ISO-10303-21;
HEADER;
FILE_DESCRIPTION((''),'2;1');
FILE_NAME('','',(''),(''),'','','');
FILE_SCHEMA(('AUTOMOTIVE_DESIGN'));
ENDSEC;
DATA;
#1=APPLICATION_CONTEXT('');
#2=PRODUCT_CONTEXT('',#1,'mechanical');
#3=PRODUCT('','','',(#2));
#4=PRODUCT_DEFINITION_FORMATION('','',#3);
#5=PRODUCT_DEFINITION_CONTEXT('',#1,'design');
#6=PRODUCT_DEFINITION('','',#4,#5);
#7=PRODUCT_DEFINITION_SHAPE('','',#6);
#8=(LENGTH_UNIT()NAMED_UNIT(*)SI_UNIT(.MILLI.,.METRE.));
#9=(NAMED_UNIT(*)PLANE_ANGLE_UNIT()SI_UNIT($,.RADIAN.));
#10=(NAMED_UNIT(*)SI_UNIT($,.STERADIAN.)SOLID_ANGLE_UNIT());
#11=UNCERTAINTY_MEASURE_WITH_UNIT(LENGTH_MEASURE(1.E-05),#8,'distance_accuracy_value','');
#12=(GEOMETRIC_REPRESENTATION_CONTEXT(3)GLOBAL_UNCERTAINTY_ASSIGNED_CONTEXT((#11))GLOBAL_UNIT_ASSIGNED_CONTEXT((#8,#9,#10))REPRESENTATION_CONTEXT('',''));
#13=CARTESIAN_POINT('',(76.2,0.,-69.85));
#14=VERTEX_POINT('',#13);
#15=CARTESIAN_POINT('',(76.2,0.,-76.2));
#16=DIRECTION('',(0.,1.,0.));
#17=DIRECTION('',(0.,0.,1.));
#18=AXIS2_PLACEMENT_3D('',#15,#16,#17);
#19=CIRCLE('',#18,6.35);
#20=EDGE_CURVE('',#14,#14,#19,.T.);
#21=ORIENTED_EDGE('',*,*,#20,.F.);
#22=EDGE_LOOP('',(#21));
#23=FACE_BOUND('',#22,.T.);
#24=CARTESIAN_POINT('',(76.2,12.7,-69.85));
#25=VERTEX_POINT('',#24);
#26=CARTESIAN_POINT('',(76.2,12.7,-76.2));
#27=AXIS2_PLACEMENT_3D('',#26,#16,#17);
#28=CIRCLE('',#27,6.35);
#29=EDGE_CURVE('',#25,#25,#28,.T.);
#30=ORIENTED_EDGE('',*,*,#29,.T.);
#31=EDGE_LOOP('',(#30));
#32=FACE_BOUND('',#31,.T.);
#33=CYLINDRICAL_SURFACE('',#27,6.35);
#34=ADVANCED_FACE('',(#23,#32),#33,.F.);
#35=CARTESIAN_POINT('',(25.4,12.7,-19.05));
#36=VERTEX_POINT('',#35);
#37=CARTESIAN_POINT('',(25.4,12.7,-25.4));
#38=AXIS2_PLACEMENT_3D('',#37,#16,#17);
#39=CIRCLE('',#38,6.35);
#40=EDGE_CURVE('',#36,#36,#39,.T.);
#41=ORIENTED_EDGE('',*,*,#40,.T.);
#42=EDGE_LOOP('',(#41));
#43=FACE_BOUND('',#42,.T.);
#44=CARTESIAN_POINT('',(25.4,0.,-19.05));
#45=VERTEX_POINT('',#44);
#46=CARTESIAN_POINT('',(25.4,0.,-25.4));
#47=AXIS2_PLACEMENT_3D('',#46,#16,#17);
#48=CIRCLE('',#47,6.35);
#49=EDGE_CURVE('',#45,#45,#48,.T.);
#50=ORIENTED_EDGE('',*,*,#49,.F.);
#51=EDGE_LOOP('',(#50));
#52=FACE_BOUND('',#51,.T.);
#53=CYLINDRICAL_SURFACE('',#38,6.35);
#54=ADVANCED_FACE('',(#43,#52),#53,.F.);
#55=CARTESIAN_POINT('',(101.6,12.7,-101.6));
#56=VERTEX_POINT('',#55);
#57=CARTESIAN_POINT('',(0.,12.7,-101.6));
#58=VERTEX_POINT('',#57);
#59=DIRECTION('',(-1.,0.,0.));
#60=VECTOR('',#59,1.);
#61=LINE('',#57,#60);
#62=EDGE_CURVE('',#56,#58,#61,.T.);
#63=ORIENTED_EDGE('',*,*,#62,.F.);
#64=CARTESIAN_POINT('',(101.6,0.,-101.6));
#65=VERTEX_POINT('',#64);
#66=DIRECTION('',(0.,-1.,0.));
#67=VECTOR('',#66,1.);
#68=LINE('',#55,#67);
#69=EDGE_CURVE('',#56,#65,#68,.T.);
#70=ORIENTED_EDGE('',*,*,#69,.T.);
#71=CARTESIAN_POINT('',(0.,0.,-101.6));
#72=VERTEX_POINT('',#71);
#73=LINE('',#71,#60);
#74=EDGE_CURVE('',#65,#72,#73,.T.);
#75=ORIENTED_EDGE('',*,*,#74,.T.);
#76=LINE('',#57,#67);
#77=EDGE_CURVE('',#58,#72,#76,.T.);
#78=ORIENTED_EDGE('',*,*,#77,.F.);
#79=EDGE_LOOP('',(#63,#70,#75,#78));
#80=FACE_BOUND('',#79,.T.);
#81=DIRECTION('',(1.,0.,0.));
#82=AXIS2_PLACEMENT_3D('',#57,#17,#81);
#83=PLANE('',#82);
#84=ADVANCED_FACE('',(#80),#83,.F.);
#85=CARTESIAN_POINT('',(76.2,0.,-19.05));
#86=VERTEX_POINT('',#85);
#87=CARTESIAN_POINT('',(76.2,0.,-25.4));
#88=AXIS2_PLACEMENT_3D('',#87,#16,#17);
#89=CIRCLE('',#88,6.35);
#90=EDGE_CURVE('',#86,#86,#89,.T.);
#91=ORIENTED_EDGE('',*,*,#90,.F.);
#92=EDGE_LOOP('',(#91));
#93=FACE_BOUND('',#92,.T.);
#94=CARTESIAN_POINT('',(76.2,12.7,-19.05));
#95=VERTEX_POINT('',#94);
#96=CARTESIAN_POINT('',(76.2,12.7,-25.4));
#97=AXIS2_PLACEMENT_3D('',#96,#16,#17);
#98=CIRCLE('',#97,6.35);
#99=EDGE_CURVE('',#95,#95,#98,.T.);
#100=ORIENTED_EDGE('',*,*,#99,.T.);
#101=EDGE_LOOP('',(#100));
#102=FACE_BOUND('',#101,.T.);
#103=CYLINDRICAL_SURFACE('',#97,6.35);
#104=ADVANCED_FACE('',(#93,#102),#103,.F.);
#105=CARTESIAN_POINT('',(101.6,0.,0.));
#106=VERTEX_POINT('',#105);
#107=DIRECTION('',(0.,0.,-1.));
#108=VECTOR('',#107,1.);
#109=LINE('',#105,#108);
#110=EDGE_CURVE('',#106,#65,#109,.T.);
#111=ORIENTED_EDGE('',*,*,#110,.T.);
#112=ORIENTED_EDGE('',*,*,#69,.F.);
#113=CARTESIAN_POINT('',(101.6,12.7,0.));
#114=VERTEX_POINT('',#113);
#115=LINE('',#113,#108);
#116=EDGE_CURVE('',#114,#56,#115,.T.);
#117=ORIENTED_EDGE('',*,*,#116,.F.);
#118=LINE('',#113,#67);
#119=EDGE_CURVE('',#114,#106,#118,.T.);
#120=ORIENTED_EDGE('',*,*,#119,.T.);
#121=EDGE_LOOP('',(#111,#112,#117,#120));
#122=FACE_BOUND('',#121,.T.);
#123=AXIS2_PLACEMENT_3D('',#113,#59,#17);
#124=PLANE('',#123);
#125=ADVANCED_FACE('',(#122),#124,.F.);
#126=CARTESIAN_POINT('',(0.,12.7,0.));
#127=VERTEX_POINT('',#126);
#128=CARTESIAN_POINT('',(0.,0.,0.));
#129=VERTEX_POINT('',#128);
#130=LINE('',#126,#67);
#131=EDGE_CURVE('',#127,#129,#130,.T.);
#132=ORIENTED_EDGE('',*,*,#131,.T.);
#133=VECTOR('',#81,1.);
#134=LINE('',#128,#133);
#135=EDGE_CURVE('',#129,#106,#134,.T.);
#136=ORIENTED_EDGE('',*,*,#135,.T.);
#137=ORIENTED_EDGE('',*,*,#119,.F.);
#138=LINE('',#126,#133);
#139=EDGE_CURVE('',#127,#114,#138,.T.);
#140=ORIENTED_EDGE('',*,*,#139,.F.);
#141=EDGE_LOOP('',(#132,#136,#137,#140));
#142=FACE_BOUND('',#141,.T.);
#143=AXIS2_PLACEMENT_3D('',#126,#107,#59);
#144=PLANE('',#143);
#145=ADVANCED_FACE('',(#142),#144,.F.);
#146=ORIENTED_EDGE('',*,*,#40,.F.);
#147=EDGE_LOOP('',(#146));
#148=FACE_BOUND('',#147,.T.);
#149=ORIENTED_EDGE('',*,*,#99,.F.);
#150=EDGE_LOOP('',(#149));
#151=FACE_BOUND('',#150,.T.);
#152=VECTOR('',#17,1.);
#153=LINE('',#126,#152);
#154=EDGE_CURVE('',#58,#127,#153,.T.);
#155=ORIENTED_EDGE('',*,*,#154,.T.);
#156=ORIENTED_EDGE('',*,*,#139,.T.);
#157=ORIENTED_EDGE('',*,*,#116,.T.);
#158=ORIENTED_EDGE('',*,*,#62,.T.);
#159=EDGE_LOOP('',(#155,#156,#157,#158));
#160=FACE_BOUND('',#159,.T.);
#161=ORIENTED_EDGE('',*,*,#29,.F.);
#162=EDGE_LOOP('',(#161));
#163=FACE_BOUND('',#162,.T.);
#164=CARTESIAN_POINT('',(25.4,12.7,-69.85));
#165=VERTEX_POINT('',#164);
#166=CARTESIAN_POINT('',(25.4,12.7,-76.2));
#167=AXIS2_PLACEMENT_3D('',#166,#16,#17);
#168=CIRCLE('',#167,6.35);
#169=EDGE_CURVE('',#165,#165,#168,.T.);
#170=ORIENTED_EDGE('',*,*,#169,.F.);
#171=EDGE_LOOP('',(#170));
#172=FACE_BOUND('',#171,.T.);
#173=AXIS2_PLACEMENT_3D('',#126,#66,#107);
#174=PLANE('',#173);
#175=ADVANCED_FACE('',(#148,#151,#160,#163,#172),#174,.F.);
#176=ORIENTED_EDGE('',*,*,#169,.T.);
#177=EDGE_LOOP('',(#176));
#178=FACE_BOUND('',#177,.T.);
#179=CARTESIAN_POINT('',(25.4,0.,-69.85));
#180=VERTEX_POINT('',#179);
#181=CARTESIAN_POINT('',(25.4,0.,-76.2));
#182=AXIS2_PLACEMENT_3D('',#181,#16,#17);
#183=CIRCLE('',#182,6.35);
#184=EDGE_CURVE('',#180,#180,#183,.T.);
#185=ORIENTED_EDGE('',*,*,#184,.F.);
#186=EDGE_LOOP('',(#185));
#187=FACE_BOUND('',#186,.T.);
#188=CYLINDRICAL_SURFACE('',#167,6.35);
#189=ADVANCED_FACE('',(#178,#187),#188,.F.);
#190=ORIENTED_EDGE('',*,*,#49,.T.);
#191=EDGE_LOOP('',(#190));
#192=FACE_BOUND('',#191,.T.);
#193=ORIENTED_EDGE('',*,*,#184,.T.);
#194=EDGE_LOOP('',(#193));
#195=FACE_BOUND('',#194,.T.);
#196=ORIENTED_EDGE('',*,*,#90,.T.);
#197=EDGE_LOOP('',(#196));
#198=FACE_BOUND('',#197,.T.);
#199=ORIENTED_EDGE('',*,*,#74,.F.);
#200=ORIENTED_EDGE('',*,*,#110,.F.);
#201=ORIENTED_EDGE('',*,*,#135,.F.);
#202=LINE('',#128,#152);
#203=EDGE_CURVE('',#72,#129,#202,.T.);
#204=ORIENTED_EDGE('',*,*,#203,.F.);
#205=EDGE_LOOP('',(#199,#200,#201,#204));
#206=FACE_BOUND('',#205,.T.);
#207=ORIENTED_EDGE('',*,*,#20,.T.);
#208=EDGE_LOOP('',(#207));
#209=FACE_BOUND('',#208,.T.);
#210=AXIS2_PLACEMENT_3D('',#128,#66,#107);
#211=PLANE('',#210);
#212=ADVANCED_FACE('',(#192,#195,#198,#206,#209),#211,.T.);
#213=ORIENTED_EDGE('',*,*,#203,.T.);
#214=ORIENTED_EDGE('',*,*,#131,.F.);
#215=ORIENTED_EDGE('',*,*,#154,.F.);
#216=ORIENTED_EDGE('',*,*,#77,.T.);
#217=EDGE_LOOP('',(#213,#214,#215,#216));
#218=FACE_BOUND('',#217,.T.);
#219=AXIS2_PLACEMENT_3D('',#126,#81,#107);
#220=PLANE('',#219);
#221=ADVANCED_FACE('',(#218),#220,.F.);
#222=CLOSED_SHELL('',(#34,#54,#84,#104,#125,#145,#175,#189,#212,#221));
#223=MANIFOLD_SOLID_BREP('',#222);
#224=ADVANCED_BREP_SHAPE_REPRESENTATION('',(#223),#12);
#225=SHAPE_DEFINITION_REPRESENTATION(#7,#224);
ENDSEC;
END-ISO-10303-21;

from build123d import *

# Parameters (mm, degrees)
SKETCH1_W                  = 101.6
SKETCH1_H                  = 101.6
BOSS_EXTRUDE1_DEPTH        = 12.7
F_1_2_0_5_DIAMETER_HOLE1_D = 12.7


with BuildPart() as part:
    # Sketch1 → Boss-Extrude1 (new body)
    with BuildSketch(Plane(origin=(0, 0, 0), x_dir=(1, 0, 0), z_dir=(0, 1, 0))):
        with Locations((50.8, 50.8)):
            Rectangle(SKETCH1_W, SKETCH1_H)
    extrude(amount=BOSS_EXTRUDE1_DEPTH)

    # 1/2 (0.5) Diameter Hole1 (through all)
    with Locations(Plane(origin=(25.4, 12.7, -25.4), x_dir=(0, 0, 1), z_dir=(0, 1, 0))):
        with Locations((0, 0), (-50.8, 0), (-50.8, 50.8), (0, 50.8)):
            Hole(F_1_2_0_5_DIAMETER_HOLE1_D / 2)


solid = part.part
